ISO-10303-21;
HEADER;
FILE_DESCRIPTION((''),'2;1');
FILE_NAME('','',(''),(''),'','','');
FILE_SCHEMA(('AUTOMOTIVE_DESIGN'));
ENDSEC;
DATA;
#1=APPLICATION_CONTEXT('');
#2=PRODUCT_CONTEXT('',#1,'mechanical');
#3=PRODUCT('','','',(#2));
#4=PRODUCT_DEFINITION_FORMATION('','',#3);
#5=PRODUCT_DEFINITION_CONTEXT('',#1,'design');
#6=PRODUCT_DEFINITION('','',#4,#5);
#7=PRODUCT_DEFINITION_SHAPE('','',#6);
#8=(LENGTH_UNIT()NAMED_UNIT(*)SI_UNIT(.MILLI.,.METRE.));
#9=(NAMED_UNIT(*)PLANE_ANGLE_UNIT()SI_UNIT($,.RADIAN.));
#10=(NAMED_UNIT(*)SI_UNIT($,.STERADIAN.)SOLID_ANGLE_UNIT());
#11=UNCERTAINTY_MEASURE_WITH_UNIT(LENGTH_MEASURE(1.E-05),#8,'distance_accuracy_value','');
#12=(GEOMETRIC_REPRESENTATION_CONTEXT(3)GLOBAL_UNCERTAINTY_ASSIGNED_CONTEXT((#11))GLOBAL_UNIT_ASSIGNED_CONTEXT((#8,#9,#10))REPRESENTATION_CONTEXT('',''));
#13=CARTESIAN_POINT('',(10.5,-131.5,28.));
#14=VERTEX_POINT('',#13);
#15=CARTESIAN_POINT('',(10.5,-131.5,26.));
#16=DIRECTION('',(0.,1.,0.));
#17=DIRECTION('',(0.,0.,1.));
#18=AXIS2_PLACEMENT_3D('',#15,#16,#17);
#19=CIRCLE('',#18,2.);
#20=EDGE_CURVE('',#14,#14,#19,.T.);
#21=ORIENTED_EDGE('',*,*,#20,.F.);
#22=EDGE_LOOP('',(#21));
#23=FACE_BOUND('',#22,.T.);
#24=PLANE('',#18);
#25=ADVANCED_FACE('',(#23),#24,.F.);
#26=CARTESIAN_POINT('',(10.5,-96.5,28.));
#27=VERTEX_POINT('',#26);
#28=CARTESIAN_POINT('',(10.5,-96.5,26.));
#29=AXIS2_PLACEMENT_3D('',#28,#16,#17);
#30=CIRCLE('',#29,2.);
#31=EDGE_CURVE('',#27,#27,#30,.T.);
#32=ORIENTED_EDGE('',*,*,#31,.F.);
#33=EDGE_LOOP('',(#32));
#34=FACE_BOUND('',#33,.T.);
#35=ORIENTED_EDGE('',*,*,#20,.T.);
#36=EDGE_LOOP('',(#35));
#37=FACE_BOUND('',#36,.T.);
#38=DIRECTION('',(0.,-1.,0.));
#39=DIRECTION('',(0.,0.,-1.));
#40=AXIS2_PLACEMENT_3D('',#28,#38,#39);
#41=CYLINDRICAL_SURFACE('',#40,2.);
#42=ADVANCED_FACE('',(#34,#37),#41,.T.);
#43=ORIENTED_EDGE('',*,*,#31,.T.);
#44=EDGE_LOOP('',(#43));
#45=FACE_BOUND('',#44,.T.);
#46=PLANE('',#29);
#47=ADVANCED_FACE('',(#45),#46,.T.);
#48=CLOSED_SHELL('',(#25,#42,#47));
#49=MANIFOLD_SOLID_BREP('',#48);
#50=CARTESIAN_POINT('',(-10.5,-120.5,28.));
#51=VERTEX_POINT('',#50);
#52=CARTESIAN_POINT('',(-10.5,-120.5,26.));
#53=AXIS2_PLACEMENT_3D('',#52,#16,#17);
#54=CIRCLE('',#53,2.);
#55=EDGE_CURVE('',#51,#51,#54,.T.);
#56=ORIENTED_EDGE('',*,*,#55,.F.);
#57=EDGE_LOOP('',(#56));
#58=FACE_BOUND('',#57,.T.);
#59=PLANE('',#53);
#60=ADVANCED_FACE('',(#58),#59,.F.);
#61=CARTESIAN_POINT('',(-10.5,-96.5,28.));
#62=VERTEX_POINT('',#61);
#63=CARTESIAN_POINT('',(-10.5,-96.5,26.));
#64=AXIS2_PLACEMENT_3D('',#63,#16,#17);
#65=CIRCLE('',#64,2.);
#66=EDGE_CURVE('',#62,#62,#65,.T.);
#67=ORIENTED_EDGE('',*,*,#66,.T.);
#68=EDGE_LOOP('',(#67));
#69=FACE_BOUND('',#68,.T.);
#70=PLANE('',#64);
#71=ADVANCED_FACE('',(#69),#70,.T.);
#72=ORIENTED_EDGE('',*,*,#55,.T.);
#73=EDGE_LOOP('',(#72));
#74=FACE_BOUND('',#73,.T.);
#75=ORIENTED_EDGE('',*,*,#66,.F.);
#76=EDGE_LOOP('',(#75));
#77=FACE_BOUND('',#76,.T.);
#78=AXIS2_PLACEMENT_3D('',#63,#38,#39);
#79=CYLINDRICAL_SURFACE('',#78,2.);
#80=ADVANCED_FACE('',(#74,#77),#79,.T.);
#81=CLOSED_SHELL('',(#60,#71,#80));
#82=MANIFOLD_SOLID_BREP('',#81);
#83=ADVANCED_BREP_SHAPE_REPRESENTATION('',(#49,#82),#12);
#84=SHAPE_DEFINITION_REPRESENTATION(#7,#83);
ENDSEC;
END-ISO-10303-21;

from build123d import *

# Parameters (mm, degrees)
SKETCH1_R           = 2
BOSS_EXTRUDE1_DEPTH = 24
SKETCH2_R           = 2
BOSS_EXTRUDE2_DEPTH = 35


with BuildPart() as part:
    # Sketch1 → Boss-Extrude1 (new body)
    with BuildSketch(Plane(origin=(0, -120.5, 0), x_dir=(1, 0, 0), z_dir=(0, 1, 0))):
        with Locations(Location((-10.5, -26, 0), (0, 0, 270))):
            Circle(SKETCH1_R)
    extrude(amount=BOSS_EXTRUDE1_DEPTH)


with BuildPart() as body_2:
    # Sketch2 → Boss-Extrude2 (new body)
    with BuildSketch(Plane(origin=(0, -131.5, 0), x_dir=(1, 0, 0), z_dir=(0, 1, 0))):
        with Locations(Location((10.5, -26, 0), (0, 0, 270))):
            Circle(SKETCH2_R)
    extrude(amount=BOSS_EXTRUDE2_DEPTH)


solid = Compound([part.part, body_2.part])
